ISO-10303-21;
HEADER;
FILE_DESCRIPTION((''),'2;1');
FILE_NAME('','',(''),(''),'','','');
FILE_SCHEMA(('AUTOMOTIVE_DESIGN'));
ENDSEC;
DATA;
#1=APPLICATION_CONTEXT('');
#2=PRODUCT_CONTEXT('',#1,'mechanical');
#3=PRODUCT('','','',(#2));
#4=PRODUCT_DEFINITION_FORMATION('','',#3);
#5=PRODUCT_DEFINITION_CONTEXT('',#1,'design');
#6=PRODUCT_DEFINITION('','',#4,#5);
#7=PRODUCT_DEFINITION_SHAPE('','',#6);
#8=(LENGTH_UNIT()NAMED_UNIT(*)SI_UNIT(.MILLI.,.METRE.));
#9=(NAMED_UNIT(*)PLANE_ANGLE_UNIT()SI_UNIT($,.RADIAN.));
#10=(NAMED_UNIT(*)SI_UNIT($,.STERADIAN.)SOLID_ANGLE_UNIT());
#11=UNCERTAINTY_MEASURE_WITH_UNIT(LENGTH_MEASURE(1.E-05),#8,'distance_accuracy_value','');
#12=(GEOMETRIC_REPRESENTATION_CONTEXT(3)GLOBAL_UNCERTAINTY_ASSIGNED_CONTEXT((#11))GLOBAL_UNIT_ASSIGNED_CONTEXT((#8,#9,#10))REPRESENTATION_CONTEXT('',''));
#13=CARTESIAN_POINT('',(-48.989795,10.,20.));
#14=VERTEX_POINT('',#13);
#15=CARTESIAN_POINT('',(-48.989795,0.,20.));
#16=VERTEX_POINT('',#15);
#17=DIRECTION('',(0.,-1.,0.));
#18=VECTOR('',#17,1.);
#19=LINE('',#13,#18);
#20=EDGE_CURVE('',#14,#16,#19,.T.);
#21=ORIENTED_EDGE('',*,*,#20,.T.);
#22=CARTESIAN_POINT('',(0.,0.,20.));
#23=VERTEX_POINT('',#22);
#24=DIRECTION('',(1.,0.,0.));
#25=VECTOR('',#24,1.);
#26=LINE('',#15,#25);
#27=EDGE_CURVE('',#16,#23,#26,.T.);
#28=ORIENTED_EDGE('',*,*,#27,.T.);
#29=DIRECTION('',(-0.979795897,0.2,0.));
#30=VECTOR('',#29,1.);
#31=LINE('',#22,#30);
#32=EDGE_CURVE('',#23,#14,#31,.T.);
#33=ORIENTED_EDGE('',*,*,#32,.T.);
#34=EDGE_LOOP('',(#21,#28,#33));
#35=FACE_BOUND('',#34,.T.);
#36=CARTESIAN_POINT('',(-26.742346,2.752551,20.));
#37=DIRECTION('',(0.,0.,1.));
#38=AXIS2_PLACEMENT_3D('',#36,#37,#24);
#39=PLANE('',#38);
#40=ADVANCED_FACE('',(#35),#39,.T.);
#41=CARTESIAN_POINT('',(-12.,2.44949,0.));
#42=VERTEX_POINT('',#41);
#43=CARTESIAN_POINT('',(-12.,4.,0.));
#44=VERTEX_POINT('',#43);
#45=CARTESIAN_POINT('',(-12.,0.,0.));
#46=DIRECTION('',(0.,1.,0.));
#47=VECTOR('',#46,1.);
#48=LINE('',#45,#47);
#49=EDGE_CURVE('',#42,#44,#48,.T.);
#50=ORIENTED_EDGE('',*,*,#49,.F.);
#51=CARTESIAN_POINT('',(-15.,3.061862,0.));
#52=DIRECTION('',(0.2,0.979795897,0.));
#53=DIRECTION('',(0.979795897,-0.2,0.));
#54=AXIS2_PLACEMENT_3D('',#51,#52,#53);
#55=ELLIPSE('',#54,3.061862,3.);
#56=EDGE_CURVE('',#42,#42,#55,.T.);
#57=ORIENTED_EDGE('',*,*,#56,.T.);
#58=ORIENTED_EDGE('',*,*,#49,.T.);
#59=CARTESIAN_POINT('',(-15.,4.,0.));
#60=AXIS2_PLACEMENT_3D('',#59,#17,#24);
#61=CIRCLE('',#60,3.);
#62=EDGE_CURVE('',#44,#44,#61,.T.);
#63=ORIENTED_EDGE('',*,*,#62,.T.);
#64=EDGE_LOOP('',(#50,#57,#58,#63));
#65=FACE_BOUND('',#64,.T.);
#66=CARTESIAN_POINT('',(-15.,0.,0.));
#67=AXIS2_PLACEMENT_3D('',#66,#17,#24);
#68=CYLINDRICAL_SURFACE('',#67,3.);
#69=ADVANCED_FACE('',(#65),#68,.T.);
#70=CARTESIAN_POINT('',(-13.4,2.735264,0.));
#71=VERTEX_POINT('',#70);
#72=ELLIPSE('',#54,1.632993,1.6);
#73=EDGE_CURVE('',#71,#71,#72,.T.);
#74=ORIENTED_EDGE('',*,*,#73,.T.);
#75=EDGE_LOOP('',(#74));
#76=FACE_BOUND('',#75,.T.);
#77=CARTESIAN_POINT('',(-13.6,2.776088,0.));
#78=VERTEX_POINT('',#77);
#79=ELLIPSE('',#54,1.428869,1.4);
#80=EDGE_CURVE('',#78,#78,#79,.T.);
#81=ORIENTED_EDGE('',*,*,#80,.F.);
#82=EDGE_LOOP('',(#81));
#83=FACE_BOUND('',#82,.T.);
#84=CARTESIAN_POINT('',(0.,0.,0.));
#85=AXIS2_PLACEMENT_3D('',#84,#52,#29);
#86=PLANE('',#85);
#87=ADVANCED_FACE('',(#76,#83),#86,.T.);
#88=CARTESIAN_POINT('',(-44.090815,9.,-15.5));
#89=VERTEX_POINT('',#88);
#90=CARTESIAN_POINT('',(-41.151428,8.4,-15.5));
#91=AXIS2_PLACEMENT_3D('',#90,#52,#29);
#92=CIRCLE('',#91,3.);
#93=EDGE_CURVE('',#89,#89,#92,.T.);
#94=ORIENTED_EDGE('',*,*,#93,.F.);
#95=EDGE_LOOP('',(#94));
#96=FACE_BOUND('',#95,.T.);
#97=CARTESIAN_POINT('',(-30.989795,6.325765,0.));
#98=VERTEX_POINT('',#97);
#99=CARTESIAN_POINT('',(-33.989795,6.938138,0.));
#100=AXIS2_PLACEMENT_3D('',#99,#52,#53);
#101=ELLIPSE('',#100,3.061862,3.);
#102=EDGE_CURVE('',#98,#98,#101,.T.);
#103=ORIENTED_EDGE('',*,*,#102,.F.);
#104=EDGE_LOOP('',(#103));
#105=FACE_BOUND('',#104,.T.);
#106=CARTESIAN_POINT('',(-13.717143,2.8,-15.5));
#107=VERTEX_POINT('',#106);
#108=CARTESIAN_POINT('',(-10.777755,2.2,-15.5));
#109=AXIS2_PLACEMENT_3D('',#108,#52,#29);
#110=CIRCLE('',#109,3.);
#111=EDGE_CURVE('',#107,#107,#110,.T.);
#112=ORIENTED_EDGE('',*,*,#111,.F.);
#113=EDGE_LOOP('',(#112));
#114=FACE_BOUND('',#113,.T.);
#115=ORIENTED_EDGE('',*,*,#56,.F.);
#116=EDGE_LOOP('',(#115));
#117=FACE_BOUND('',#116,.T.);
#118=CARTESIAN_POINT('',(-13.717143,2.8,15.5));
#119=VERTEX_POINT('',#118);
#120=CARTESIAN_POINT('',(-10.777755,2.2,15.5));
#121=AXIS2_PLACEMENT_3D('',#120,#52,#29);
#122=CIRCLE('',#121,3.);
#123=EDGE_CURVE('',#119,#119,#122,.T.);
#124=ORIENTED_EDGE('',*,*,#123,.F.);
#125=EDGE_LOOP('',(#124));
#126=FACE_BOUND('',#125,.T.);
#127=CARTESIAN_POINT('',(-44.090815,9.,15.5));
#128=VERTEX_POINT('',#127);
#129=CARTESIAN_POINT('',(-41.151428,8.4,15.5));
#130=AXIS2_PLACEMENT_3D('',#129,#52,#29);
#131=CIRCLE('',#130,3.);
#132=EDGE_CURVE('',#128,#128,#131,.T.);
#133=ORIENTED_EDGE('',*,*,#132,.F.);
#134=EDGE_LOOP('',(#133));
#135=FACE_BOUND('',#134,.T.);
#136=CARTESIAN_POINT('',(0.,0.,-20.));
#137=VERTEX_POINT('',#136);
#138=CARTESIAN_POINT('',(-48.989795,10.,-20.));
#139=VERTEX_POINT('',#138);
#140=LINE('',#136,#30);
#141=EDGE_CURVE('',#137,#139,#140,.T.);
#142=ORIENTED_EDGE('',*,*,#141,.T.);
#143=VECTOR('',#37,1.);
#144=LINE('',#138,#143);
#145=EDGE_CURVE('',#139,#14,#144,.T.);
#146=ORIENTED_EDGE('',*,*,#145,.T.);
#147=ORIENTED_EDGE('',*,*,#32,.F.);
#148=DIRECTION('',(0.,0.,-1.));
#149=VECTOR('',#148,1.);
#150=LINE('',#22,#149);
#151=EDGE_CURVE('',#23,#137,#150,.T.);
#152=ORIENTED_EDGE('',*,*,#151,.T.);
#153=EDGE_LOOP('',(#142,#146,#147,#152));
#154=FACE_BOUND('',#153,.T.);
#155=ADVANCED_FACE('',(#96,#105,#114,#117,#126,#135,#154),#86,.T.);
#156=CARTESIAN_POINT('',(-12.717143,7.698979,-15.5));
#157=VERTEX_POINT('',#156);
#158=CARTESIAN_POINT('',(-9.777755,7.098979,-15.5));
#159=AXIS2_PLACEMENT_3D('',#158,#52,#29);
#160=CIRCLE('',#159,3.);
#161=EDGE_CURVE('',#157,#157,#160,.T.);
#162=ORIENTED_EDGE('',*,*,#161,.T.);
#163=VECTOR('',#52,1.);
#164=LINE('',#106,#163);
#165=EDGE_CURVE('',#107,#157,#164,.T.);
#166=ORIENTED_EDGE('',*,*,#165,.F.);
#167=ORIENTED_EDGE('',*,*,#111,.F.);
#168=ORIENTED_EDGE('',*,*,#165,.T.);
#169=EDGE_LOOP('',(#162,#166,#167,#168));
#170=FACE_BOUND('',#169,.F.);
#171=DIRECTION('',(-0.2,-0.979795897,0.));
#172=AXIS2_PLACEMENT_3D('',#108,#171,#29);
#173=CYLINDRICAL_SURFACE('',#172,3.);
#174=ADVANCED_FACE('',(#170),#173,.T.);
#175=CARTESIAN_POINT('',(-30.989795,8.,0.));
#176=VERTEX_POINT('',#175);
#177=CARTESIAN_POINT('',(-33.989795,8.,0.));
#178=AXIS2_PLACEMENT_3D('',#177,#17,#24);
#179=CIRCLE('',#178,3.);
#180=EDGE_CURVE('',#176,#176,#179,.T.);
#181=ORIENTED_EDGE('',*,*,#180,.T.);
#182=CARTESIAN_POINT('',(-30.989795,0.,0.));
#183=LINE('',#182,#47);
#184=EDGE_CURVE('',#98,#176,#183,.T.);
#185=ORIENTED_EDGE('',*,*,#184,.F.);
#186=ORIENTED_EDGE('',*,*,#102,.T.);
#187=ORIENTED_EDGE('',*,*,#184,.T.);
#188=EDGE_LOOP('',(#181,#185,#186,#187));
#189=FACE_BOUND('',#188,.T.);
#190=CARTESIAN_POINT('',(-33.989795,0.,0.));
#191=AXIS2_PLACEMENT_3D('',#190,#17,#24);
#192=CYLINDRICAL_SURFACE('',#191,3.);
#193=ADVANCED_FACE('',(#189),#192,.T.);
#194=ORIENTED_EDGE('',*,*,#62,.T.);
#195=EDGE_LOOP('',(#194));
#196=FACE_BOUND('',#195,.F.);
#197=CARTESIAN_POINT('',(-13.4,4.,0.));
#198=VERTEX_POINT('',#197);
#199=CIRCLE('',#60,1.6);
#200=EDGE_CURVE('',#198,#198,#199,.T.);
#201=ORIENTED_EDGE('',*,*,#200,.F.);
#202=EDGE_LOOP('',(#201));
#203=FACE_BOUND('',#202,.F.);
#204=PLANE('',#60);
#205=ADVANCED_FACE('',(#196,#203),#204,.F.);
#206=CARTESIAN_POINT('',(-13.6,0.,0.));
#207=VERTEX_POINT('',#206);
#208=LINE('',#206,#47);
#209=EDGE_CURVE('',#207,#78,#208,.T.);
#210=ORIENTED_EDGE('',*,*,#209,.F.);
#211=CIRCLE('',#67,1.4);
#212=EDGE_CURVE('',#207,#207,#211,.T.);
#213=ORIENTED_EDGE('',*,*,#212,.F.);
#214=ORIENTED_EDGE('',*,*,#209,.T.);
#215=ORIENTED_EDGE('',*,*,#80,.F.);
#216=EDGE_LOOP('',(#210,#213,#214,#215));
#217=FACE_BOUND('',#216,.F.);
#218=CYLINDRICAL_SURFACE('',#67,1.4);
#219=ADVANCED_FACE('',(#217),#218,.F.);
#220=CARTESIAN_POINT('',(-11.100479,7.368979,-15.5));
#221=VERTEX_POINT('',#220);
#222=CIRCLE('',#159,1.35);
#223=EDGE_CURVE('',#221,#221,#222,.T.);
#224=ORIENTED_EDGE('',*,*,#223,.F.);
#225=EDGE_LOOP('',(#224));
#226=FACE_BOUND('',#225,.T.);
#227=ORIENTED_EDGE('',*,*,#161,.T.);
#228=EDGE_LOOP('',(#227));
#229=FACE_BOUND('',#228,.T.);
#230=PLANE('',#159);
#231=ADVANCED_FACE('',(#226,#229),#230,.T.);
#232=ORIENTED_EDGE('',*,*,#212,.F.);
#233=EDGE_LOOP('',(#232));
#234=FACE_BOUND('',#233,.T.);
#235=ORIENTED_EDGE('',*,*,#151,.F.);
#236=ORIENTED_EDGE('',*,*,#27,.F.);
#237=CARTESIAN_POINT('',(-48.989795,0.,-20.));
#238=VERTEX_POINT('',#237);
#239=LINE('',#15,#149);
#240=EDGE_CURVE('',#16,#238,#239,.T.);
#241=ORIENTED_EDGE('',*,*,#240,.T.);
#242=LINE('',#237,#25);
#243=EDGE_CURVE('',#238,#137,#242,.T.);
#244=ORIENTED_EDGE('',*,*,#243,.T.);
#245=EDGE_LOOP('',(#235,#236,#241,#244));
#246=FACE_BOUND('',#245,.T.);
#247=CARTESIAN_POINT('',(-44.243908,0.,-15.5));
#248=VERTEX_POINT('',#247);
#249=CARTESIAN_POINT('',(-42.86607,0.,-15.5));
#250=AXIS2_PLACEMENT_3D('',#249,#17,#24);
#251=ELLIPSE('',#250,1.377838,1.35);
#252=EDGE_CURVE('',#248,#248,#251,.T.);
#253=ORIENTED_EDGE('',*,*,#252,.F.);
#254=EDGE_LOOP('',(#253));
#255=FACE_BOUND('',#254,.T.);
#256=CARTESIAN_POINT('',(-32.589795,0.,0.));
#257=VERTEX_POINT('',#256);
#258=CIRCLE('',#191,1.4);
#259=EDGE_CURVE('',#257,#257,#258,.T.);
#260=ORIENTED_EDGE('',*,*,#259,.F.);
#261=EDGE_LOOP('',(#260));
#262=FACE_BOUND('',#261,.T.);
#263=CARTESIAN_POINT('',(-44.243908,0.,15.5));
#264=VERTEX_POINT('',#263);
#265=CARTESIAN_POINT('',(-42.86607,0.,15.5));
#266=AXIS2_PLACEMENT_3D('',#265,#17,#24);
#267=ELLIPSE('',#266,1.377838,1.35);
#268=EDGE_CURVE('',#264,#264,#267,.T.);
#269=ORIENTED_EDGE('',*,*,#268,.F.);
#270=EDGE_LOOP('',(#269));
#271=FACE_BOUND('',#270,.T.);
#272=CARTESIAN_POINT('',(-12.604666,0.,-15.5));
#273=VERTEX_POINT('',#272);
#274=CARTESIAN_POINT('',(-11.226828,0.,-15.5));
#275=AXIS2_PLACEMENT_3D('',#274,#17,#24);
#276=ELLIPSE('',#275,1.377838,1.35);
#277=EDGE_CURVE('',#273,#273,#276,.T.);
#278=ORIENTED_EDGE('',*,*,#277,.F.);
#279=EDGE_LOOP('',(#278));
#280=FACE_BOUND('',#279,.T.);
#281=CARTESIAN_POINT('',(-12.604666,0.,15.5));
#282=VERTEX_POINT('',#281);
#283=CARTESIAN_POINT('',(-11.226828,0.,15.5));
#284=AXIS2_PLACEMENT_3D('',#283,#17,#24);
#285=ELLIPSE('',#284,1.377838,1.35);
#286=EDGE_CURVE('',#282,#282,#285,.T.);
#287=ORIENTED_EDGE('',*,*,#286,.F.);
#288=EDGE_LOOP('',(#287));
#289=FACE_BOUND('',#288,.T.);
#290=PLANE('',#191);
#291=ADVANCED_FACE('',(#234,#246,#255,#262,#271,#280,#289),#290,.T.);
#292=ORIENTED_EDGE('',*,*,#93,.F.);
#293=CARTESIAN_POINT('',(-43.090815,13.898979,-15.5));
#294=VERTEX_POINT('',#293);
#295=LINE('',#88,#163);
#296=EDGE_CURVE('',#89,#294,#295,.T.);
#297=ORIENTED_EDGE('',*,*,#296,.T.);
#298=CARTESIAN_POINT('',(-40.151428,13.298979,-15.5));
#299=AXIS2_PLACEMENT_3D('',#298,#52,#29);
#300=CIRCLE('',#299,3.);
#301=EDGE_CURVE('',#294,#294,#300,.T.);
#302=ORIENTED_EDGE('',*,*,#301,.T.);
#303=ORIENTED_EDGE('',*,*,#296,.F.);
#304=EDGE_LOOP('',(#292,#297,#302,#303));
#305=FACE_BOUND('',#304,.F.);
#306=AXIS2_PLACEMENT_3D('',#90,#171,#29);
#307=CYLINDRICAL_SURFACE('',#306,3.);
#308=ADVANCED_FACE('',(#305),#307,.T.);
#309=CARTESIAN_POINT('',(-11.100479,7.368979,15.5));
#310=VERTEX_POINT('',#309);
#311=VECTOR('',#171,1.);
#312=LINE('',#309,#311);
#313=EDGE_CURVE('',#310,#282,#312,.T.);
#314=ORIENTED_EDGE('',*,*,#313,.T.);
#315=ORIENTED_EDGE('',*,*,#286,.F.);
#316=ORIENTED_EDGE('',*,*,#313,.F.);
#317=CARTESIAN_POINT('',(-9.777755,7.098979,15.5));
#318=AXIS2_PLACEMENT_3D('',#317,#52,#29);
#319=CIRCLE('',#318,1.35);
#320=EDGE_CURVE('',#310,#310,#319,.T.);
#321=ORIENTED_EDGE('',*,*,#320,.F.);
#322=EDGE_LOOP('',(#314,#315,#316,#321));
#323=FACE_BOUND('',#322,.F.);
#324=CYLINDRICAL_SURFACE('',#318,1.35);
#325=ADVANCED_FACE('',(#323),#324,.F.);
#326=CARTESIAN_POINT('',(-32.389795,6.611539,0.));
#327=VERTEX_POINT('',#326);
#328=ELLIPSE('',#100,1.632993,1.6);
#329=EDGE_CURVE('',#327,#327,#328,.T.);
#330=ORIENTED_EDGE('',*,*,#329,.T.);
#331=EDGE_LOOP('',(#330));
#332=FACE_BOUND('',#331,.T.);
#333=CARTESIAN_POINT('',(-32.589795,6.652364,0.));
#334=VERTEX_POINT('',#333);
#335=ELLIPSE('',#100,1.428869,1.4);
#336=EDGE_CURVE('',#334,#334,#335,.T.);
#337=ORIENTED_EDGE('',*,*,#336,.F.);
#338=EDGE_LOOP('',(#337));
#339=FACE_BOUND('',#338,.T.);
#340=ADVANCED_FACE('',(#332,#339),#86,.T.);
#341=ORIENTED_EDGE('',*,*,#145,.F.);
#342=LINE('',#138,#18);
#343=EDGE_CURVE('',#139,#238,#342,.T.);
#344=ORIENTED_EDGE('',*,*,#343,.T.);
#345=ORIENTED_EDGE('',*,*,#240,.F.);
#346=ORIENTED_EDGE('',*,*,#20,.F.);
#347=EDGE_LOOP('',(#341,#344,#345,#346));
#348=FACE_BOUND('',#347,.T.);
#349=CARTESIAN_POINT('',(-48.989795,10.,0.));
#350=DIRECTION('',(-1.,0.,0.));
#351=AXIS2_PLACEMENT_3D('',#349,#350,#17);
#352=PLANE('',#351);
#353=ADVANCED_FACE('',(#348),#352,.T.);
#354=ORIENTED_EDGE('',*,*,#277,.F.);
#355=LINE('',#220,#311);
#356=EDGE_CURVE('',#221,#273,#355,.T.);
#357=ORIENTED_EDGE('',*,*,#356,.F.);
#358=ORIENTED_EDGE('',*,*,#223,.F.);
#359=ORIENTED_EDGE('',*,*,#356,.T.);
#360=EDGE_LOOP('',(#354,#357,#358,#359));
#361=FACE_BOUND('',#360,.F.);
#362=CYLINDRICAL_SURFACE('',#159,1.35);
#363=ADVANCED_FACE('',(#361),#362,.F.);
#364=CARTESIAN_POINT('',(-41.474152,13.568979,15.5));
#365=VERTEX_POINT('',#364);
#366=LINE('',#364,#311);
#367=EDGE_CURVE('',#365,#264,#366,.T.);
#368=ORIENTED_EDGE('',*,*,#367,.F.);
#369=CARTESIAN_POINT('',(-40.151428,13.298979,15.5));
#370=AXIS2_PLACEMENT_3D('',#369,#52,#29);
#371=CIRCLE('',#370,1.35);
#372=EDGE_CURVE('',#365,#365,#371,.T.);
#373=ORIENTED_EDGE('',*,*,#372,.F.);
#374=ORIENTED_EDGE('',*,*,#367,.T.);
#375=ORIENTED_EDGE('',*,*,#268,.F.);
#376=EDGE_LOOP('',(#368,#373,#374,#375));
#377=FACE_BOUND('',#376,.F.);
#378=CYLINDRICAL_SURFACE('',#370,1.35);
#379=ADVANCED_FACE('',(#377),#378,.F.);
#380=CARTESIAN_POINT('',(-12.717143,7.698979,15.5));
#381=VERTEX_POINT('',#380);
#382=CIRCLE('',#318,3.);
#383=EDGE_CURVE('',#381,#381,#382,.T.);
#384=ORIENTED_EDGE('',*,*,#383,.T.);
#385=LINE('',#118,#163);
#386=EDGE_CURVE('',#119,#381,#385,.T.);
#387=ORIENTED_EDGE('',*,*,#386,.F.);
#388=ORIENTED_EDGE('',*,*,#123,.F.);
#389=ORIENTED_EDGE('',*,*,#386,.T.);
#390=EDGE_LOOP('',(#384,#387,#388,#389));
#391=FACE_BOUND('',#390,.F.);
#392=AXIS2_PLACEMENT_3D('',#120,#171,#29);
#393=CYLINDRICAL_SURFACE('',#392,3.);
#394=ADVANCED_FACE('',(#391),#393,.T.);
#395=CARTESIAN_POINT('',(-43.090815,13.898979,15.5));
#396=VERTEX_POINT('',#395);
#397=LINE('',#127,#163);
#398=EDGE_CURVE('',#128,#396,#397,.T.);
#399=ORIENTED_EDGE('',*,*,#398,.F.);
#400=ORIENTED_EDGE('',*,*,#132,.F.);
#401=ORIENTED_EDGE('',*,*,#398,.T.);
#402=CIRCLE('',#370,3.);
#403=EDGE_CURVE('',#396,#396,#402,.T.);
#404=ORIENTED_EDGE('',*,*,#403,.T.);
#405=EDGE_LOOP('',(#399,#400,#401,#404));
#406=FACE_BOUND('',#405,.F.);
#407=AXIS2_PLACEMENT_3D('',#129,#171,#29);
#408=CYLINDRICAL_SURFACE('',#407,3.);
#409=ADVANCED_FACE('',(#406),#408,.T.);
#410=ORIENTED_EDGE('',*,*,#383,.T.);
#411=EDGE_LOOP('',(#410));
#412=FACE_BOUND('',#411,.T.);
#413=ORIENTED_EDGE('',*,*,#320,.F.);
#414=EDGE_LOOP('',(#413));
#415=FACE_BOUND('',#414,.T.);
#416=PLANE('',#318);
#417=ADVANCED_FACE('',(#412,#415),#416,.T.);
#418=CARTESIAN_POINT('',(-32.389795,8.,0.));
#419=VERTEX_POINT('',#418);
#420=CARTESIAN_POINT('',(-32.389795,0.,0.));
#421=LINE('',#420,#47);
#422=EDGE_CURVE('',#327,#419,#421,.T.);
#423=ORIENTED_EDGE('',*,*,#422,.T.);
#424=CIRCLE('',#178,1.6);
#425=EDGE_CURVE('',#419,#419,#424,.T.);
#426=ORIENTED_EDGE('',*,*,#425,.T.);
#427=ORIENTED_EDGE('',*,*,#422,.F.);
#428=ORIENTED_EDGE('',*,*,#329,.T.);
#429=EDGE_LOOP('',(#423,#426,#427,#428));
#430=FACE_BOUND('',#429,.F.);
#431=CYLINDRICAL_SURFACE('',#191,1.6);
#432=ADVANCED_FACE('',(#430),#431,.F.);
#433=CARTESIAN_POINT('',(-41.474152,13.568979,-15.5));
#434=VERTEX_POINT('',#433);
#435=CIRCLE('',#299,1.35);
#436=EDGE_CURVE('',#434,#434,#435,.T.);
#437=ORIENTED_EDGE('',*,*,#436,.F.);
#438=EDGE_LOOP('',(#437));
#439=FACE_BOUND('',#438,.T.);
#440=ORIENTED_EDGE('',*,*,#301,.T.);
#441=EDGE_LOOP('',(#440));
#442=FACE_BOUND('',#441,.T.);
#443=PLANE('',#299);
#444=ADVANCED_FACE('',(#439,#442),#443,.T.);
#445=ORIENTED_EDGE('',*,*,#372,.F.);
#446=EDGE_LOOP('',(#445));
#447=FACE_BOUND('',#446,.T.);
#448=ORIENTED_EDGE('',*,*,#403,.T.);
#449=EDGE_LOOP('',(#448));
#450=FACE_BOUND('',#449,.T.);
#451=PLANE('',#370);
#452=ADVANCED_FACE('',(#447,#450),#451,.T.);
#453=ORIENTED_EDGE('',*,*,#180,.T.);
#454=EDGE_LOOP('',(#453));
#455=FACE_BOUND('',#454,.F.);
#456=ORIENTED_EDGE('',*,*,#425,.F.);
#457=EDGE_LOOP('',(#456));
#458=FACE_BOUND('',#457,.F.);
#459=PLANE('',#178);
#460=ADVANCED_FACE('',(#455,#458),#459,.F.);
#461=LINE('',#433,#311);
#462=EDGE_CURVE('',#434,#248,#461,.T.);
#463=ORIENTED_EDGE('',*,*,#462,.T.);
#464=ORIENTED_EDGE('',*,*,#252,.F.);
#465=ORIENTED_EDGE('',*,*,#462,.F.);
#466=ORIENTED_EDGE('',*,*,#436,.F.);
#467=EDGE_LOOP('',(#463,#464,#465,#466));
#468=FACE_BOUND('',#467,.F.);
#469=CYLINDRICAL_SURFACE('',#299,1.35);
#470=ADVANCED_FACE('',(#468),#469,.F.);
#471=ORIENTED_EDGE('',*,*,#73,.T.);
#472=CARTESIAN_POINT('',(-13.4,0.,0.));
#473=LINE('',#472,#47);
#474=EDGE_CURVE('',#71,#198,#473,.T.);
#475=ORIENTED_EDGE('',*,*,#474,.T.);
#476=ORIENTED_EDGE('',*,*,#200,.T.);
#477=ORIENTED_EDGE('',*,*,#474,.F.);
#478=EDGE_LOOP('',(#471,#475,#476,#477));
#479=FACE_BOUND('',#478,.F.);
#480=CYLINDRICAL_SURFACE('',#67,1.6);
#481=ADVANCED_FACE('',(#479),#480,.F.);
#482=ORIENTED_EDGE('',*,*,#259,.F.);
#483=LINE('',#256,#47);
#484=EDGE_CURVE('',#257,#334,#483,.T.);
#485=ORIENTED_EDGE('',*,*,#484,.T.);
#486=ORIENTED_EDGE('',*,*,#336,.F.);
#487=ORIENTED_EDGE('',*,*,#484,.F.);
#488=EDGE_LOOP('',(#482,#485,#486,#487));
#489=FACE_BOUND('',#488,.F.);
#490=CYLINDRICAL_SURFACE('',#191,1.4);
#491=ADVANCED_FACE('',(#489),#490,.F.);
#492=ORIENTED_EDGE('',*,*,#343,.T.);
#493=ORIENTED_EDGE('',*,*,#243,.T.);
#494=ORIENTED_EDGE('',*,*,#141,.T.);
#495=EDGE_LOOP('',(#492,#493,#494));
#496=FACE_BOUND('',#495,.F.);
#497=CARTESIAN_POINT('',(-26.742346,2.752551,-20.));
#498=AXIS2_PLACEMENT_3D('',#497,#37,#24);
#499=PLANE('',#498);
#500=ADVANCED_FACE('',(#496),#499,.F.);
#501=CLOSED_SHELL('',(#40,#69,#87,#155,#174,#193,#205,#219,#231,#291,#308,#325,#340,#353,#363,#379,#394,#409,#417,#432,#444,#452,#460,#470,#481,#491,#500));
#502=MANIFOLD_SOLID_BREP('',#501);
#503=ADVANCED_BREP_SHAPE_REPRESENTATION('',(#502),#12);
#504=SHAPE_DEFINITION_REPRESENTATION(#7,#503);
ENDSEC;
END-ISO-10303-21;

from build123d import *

# Parameters (mm, degrees)
PAD_DEPTH       = 20
SKETCH001_R     = 3
PAD001_DEPTH    = 5
SKETCH002_R     = 1.35
POCKET_DEPTH    = 14.7989589711
SKETCH003_R     = 1.4
POCKET001_DEPTH = 13.8999794856
SKETCH004_R     = 3
SKETCH004_R_2   = 1.6
PAD002_DEPTH    = 4
SKETCH005_R     = 3
SKETCH005_R_2   = 1.6
PAD003_DEPTH    = 8


with BuildPart() as part:
    # Sketch → Pad (new body, symmetric)
    with BuildSketch(Plane.XY):
        Polygon((0, 0), (-48.9897948557, 10), (-48.9897948557, 0), align=None)
    extrude(amount=PAD_DEPTH, both=True)

    # Sketch001 (on Face1 of Pad) → Pad001 (join)
    with BuildSketch(Plane(origin=(0, 0, 0), x_dir=(-0.9797958971, 0.2, 0), z_dir=(0.2, 0.9797958971, 0))):
        with Locations((42, 15.5)):
            Circle(SKETCH001_R)
        with Locations((42, -15.5)):
            Circle(SKETCH001_R)
        with Locations((11, -15.5)):
            Circle(SKETCH001_R)
        with Locations((11, 15.5)):
            Circle(SKETCH001_R)
    extrude(amount=PAD001_DEPTH)

    # Sketch002 (on Face11 of Pad001) → Pocket (cut, through all)
    with BuildSketch(Plane(origin=(1, 4.8989794856, 0), x_dir=(-0.9797958971, 0.2, 0), z_dir=(0.2, 0.9797958971, 0))):
        with Locations((42, -15.5)):
            Circle(SKETCH002_R)
        with Locations((11, -15.5)):
            Circle(SKETCH002_R)
        with Locations((42, 15.5)):
            Circle(SKETCH002_R)
        with Locations((11, 15.5)):
            Circle(SKETCH002_R)
    extrude(amount=-POCKET_DEPTH, mode=Mode.SUBTRACT)

    # Sketch003 (on Face2 of Pocket) → Pocket001 (cut, through all)
    with BuildSketch(Plane.XZ):
        with Locations((-15, 0)):
            Circle(SKETCH003_R)
        with Locations((-33.9897948557, 0)):
            Circle(SKETCH003_R)
    extrude(amount=-POCKET001_DEPTH, mode=Mode.SUBTRACT)

    # Sketch004 (on Face2 of Pocket001) → Pad002 (join)
    with BuildSketch(Plane.XZ):
        with Locations((-15, 0)):
            Circle(SKETCH004_R)
        with Locations((-15, 0)):
            Circle(SKETCH004_R_2, mode=Mode.SUBTRACT)
    extrude(amount=-PAD002_DEPTH)

    # Sketch005 (on Face2 of Pad002) → Pad003 (join)
    with BuildSketch(Plane.XZ):
        with Locations((-33.9897948557, 0)):
            Circle(SKETCH005_R)
        with Locations((-33.9897948557, 0)):
            Circle(SKETCH005_R_2, mode=Mode.SUBTRACT)
    extrude(amount=-PAD003_DEPTH)


solid = part.part
